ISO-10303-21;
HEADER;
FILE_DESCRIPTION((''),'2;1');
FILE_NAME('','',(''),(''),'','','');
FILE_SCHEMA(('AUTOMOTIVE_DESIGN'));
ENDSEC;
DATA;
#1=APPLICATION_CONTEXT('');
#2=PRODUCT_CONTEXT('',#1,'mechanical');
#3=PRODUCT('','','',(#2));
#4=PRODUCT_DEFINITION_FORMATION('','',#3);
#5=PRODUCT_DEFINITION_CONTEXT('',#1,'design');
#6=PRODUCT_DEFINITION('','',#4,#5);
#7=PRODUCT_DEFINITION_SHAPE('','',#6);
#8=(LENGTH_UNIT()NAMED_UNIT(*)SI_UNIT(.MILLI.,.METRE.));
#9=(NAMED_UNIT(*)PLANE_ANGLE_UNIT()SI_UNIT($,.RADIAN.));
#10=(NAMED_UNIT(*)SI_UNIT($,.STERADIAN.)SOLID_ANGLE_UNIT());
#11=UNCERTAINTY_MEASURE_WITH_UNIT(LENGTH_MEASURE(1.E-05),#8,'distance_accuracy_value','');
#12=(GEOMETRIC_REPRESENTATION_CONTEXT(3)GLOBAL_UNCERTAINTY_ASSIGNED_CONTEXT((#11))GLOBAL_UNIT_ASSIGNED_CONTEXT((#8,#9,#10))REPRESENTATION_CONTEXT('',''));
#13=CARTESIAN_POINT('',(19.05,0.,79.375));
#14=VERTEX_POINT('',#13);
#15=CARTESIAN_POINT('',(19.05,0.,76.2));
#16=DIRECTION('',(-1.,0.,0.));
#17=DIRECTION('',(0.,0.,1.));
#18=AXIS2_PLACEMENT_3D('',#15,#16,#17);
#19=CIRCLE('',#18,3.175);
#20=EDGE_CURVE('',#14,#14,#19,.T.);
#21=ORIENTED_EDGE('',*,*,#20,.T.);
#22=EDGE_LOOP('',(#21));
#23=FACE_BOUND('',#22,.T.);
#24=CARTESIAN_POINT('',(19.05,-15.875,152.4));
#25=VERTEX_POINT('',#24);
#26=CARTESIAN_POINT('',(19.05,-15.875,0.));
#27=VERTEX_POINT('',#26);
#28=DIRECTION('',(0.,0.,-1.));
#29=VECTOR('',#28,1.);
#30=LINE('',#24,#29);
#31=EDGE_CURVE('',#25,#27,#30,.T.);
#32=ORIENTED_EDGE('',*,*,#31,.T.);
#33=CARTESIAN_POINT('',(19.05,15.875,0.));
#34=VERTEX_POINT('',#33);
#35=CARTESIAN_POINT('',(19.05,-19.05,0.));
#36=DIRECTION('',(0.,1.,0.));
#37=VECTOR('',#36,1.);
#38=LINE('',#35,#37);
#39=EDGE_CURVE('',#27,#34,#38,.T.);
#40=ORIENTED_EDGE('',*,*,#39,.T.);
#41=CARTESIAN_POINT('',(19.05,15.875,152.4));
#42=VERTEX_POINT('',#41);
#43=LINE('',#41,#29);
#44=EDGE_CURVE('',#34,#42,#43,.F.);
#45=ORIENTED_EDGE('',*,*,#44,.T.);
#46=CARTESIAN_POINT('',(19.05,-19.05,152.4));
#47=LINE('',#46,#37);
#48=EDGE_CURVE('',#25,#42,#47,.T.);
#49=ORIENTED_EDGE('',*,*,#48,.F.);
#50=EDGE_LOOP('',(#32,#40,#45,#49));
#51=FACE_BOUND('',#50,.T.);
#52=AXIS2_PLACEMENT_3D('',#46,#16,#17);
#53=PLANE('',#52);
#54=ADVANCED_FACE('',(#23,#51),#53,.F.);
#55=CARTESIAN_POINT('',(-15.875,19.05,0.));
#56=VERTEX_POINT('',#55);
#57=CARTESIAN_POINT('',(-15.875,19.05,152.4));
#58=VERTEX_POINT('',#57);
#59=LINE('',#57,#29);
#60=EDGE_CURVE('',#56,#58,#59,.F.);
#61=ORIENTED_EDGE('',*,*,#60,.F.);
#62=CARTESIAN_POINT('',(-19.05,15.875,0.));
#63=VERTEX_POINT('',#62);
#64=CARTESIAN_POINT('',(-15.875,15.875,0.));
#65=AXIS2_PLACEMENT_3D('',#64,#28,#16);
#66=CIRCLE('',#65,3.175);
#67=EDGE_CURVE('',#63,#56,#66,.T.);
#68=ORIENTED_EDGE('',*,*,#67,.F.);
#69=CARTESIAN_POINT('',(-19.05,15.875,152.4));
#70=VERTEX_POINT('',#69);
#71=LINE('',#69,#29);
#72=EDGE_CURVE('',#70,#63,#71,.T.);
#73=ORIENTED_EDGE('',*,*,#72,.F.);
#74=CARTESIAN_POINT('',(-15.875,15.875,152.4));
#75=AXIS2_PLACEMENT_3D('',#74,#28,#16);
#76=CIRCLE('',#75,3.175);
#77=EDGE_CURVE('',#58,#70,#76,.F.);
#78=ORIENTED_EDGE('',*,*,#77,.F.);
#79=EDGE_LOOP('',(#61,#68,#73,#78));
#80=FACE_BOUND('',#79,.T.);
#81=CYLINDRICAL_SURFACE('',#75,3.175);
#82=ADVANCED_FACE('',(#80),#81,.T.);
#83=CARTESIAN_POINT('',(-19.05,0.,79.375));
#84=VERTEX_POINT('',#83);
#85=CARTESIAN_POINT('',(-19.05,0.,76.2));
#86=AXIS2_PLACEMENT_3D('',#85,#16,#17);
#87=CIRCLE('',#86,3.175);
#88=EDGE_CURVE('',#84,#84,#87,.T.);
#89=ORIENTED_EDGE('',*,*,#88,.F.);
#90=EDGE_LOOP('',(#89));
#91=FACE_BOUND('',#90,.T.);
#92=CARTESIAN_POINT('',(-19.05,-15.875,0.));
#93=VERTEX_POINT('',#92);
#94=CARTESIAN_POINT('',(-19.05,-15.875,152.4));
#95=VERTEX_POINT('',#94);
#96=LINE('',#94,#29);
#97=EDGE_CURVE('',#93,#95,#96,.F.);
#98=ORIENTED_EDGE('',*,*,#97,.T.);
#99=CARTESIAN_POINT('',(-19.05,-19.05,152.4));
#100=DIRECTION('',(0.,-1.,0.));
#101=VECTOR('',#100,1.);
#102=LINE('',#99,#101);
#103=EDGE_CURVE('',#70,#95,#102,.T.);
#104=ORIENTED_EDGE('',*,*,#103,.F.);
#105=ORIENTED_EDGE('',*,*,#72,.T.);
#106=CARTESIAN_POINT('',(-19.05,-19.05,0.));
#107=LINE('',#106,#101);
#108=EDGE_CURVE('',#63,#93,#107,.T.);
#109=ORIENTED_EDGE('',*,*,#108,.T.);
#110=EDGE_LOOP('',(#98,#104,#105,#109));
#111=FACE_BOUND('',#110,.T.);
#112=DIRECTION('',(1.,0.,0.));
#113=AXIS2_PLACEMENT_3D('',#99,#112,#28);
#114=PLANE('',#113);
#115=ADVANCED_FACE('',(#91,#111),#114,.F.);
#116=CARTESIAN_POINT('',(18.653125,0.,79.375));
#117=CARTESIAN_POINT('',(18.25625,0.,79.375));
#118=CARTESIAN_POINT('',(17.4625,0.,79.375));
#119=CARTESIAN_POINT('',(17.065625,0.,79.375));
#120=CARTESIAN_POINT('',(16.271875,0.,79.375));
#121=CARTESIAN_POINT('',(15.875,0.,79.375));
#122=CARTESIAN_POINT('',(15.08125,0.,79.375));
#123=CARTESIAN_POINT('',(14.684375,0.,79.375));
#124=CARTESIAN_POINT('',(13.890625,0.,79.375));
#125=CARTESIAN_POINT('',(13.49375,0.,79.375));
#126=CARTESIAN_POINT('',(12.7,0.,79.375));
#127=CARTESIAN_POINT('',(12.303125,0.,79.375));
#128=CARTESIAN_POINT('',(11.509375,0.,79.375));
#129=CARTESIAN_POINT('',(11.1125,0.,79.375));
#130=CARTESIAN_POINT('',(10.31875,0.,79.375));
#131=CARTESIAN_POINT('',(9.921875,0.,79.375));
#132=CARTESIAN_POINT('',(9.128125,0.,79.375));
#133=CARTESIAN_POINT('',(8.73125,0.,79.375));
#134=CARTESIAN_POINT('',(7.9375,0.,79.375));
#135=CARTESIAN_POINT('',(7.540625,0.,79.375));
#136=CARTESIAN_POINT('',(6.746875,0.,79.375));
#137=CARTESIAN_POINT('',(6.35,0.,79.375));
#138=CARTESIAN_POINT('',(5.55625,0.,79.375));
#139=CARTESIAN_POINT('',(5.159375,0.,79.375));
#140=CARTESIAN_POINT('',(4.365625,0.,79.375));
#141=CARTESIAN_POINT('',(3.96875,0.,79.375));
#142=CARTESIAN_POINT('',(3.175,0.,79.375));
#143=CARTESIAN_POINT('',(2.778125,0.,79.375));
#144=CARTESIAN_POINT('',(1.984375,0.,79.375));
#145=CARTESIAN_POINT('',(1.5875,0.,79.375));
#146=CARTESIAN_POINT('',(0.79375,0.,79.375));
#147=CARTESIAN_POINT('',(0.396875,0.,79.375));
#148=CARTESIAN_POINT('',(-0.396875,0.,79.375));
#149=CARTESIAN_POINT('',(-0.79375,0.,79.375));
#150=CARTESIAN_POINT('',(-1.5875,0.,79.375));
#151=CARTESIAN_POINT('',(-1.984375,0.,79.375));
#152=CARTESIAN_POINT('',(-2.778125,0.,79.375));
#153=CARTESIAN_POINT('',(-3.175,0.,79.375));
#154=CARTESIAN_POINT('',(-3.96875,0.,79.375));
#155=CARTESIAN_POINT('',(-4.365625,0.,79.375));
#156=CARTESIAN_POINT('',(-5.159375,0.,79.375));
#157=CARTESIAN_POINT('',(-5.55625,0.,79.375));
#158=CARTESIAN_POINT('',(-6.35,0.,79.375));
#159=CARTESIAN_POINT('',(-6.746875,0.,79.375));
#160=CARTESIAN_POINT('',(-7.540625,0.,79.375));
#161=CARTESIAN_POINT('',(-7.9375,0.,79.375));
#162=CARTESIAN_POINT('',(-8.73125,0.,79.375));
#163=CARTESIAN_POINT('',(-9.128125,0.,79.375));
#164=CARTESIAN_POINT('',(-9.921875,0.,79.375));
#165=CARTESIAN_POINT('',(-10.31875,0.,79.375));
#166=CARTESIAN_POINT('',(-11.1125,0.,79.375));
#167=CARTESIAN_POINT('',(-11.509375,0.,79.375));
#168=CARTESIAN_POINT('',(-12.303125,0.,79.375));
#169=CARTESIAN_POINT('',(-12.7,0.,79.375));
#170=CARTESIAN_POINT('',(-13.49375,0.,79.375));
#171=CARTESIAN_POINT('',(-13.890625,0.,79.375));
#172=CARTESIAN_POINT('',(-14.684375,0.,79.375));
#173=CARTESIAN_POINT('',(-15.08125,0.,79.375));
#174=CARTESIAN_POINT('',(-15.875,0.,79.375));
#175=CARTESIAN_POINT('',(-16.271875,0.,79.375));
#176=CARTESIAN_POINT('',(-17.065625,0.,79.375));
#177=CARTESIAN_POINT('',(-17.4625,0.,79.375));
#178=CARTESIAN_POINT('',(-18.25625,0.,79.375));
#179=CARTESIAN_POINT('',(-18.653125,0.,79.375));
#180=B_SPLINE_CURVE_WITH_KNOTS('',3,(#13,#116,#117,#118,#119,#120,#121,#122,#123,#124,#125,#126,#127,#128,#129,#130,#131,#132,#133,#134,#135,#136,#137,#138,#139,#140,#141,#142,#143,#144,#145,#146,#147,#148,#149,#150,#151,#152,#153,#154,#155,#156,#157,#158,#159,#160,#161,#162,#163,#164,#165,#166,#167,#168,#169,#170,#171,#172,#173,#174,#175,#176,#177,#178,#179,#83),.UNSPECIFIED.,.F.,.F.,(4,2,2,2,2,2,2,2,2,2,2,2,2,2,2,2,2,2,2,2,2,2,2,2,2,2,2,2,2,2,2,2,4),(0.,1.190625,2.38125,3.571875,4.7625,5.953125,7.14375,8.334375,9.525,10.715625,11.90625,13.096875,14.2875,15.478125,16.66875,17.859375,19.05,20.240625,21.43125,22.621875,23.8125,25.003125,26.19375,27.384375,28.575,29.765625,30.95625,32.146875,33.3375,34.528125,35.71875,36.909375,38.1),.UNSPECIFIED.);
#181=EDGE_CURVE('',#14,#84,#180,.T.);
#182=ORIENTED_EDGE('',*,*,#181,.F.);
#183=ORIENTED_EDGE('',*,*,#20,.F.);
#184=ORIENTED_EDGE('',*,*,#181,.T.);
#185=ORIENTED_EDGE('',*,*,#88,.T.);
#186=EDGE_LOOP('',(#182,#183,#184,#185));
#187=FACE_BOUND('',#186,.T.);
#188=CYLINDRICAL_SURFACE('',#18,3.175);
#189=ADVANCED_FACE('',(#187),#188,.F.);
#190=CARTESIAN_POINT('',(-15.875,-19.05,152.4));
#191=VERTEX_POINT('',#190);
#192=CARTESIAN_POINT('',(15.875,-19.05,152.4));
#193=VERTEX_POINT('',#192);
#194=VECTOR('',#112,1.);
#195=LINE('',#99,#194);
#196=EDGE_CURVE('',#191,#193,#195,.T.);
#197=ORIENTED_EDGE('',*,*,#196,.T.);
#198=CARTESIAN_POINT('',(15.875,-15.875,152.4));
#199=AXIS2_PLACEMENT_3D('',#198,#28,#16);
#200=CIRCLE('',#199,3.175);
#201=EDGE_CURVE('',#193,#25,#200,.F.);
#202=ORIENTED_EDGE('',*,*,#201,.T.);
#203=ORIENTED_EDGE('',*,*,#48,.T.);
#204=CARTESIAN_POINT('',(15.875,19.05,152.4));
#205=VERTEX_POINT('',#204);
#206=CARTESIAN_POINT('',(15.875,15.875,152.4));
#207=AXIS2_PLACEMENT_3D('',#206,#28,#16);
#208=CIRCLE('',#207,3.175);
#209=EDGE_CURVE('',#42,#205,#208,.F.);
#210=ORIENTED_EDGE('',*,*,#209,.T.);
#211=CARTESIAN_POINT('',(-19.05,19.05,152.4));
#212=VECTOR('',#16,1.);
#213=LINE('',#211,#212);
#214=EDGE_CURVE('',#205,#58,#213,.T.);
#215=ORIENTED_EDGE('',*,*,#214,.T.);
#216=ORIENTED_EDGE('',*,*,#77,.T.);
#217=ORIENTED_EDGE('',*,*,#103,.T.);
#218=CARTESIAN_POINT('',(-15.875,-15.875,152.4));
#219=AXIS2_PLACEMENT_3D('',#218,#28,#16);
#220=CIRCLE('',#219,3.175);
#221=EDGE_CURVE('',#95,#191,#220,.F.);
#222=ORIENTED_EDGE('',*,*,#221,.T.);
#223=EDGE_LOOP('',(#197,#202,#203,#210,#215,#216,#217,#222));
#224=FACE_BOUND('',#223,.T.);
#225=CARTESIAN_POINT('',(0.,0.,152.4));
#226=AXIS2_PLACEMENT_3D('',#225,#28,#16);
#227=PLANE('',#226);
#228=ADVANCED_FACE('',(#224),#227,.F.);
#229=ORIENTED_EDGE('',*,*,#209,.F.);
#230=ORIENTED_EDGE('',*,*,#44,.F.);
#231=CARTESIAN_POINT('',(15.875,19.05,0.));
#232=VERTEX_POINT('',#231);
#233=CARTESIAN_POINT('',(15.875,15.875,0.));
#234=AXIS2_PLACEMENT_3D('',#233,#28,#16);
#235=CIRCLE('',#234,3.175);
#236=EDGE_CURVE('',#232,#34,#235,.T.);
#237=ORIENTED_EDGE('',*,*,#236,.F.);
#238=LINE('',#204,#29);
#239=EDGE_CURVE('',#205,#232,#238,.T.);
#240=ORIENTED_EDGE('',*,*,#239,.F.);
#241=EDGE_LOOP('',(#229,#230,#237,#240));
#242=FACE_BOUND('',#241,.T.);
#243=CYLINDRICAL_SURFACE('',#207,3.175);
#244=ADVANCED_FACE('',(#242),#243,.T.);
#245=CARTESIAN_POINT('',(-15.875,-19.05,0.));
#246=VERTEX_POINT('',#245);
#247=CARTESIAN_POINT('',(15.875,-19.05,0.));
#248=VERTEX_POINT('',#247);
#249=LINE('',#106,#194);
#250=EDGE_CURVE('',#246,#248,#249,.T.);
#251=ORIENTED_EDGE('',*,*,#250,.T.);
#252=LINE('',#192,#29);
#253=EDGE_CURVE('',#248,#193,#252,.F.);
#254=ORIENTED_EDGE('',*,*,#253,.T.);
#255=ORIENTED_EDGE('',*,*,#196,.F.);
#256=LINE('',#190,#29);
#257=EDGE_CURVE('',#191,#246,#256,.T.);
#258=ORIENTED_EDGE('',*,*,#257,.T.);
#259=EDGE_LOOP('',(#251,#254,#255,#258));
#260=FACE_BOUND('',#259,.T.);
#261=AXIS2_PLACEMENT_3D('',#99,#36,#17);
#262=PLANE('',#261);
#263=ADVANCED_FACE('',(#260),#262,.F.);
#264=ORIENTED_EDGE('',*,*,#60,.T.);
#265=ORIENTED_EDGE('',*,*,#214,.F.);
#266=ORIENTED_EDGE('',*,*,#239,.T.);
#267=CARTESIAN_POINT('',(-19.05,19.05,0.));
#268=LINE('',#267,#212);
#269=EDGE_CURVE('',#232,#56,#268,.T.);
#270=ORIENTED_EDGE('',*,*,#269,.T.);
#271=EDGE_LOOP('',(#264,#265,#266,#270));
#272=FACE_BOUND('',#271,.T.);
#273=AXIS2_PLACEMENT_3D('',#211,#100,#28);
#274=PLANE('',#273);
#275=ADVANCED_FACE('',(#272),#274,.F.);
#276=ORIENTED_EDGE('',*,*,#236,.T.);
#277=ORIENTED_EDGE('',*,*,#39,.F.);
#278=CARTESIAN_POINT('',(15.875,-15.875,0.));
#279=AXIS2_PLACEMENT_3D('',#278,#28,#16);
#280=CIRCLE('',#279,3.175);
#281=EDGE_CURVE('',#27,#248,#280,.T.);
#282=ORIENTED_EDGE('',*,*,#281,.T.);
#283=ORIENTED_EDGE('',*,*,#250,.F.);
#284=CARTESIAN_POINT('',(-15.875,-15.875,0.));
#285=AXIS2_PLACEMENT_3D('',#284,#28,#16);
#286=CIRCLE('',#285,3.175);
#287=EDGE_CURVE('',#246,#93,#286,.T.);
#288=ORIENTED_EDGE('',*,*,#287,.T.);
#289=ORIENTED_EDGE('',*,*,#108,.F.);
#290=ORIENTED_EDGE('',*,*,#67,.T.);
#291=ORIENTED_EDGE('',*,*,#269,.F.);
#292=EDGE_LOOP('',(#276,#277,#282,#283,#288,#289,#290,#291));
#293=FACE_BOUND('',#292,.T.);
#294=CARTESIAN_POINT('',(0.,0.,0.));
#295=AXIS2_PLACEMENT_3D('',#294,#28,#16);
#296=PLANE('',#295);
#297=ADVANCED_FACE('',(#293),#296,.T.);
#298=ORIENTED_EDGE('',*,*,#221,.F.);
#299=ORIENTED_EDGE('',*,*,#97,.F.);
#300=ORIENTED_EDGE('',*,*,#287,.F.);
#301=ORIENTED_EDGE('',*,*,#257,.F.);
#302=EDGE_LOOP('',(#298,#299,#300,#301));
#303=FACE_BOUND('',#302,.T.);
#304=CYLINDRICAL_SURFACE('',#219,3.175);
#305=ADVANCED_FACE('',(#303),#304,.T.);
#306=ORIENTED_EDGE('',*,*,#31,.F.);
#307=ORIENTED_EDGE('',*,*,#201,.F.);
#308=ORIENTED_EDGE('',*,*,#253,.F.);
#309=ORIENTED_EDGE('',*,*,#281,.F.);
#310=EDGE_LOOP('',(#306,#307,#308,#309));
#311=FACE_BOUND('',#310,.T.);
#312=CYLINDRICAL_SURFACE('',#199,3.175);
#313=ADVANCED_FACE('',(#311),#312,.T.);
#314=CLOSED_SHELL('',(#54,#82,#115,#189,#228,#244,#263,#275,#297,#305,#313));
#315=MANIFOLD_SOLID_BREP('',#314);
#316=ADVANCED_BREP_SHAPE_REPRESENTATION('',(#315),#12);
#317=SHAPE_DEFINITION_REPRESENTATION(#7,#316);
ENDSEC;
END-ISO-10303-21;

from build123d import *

# Parameters (mm, degrees)
SKETCH1_W           = 38.1
SKETCH1_H           = 38.1
BOSS_EXTRUDE1_DEPTH = 152.4
FILLET1_R           = 3.175
SKETCH2_R           = 3.175
CUT_EXTRUDE1_DEPTH  = 159.241184589


with BuildPart() as part:
    # Sketch1 → Boss-Extrude1 (new body)
    with BuildSketch(Plane.XY):
        Rectangle(SKETCH1_W, SKETCH1_H)
    extrude(amount=BOSS_EXTRUDE1_DEPTH)

    # Fillet1
    fillet1_edges = [part.edges().sort_by_distance(p)[0] for p in [
        (19.05, -19.05, 76.2),
        (-19.05, -19.05, 76.2),
        (-19.05, 19.05, 76.2),
        (19.05, 19.05, 76.2),
    ]]
    fillet(fillet1_edges, radius=FILLET1_R)

    # Sketch2 → Cut-Extrude1 (cut, through all)
    with BuildSketch(Plane.ZY.offset(19.05)):
        with Locations((76.2, 0)):
            Circle(SKETCH2_R)
    extrude(amount=-CUT_EXTRUDE1_DEPTH, mode=Mode.SUBTRACT)


solid = part.part
